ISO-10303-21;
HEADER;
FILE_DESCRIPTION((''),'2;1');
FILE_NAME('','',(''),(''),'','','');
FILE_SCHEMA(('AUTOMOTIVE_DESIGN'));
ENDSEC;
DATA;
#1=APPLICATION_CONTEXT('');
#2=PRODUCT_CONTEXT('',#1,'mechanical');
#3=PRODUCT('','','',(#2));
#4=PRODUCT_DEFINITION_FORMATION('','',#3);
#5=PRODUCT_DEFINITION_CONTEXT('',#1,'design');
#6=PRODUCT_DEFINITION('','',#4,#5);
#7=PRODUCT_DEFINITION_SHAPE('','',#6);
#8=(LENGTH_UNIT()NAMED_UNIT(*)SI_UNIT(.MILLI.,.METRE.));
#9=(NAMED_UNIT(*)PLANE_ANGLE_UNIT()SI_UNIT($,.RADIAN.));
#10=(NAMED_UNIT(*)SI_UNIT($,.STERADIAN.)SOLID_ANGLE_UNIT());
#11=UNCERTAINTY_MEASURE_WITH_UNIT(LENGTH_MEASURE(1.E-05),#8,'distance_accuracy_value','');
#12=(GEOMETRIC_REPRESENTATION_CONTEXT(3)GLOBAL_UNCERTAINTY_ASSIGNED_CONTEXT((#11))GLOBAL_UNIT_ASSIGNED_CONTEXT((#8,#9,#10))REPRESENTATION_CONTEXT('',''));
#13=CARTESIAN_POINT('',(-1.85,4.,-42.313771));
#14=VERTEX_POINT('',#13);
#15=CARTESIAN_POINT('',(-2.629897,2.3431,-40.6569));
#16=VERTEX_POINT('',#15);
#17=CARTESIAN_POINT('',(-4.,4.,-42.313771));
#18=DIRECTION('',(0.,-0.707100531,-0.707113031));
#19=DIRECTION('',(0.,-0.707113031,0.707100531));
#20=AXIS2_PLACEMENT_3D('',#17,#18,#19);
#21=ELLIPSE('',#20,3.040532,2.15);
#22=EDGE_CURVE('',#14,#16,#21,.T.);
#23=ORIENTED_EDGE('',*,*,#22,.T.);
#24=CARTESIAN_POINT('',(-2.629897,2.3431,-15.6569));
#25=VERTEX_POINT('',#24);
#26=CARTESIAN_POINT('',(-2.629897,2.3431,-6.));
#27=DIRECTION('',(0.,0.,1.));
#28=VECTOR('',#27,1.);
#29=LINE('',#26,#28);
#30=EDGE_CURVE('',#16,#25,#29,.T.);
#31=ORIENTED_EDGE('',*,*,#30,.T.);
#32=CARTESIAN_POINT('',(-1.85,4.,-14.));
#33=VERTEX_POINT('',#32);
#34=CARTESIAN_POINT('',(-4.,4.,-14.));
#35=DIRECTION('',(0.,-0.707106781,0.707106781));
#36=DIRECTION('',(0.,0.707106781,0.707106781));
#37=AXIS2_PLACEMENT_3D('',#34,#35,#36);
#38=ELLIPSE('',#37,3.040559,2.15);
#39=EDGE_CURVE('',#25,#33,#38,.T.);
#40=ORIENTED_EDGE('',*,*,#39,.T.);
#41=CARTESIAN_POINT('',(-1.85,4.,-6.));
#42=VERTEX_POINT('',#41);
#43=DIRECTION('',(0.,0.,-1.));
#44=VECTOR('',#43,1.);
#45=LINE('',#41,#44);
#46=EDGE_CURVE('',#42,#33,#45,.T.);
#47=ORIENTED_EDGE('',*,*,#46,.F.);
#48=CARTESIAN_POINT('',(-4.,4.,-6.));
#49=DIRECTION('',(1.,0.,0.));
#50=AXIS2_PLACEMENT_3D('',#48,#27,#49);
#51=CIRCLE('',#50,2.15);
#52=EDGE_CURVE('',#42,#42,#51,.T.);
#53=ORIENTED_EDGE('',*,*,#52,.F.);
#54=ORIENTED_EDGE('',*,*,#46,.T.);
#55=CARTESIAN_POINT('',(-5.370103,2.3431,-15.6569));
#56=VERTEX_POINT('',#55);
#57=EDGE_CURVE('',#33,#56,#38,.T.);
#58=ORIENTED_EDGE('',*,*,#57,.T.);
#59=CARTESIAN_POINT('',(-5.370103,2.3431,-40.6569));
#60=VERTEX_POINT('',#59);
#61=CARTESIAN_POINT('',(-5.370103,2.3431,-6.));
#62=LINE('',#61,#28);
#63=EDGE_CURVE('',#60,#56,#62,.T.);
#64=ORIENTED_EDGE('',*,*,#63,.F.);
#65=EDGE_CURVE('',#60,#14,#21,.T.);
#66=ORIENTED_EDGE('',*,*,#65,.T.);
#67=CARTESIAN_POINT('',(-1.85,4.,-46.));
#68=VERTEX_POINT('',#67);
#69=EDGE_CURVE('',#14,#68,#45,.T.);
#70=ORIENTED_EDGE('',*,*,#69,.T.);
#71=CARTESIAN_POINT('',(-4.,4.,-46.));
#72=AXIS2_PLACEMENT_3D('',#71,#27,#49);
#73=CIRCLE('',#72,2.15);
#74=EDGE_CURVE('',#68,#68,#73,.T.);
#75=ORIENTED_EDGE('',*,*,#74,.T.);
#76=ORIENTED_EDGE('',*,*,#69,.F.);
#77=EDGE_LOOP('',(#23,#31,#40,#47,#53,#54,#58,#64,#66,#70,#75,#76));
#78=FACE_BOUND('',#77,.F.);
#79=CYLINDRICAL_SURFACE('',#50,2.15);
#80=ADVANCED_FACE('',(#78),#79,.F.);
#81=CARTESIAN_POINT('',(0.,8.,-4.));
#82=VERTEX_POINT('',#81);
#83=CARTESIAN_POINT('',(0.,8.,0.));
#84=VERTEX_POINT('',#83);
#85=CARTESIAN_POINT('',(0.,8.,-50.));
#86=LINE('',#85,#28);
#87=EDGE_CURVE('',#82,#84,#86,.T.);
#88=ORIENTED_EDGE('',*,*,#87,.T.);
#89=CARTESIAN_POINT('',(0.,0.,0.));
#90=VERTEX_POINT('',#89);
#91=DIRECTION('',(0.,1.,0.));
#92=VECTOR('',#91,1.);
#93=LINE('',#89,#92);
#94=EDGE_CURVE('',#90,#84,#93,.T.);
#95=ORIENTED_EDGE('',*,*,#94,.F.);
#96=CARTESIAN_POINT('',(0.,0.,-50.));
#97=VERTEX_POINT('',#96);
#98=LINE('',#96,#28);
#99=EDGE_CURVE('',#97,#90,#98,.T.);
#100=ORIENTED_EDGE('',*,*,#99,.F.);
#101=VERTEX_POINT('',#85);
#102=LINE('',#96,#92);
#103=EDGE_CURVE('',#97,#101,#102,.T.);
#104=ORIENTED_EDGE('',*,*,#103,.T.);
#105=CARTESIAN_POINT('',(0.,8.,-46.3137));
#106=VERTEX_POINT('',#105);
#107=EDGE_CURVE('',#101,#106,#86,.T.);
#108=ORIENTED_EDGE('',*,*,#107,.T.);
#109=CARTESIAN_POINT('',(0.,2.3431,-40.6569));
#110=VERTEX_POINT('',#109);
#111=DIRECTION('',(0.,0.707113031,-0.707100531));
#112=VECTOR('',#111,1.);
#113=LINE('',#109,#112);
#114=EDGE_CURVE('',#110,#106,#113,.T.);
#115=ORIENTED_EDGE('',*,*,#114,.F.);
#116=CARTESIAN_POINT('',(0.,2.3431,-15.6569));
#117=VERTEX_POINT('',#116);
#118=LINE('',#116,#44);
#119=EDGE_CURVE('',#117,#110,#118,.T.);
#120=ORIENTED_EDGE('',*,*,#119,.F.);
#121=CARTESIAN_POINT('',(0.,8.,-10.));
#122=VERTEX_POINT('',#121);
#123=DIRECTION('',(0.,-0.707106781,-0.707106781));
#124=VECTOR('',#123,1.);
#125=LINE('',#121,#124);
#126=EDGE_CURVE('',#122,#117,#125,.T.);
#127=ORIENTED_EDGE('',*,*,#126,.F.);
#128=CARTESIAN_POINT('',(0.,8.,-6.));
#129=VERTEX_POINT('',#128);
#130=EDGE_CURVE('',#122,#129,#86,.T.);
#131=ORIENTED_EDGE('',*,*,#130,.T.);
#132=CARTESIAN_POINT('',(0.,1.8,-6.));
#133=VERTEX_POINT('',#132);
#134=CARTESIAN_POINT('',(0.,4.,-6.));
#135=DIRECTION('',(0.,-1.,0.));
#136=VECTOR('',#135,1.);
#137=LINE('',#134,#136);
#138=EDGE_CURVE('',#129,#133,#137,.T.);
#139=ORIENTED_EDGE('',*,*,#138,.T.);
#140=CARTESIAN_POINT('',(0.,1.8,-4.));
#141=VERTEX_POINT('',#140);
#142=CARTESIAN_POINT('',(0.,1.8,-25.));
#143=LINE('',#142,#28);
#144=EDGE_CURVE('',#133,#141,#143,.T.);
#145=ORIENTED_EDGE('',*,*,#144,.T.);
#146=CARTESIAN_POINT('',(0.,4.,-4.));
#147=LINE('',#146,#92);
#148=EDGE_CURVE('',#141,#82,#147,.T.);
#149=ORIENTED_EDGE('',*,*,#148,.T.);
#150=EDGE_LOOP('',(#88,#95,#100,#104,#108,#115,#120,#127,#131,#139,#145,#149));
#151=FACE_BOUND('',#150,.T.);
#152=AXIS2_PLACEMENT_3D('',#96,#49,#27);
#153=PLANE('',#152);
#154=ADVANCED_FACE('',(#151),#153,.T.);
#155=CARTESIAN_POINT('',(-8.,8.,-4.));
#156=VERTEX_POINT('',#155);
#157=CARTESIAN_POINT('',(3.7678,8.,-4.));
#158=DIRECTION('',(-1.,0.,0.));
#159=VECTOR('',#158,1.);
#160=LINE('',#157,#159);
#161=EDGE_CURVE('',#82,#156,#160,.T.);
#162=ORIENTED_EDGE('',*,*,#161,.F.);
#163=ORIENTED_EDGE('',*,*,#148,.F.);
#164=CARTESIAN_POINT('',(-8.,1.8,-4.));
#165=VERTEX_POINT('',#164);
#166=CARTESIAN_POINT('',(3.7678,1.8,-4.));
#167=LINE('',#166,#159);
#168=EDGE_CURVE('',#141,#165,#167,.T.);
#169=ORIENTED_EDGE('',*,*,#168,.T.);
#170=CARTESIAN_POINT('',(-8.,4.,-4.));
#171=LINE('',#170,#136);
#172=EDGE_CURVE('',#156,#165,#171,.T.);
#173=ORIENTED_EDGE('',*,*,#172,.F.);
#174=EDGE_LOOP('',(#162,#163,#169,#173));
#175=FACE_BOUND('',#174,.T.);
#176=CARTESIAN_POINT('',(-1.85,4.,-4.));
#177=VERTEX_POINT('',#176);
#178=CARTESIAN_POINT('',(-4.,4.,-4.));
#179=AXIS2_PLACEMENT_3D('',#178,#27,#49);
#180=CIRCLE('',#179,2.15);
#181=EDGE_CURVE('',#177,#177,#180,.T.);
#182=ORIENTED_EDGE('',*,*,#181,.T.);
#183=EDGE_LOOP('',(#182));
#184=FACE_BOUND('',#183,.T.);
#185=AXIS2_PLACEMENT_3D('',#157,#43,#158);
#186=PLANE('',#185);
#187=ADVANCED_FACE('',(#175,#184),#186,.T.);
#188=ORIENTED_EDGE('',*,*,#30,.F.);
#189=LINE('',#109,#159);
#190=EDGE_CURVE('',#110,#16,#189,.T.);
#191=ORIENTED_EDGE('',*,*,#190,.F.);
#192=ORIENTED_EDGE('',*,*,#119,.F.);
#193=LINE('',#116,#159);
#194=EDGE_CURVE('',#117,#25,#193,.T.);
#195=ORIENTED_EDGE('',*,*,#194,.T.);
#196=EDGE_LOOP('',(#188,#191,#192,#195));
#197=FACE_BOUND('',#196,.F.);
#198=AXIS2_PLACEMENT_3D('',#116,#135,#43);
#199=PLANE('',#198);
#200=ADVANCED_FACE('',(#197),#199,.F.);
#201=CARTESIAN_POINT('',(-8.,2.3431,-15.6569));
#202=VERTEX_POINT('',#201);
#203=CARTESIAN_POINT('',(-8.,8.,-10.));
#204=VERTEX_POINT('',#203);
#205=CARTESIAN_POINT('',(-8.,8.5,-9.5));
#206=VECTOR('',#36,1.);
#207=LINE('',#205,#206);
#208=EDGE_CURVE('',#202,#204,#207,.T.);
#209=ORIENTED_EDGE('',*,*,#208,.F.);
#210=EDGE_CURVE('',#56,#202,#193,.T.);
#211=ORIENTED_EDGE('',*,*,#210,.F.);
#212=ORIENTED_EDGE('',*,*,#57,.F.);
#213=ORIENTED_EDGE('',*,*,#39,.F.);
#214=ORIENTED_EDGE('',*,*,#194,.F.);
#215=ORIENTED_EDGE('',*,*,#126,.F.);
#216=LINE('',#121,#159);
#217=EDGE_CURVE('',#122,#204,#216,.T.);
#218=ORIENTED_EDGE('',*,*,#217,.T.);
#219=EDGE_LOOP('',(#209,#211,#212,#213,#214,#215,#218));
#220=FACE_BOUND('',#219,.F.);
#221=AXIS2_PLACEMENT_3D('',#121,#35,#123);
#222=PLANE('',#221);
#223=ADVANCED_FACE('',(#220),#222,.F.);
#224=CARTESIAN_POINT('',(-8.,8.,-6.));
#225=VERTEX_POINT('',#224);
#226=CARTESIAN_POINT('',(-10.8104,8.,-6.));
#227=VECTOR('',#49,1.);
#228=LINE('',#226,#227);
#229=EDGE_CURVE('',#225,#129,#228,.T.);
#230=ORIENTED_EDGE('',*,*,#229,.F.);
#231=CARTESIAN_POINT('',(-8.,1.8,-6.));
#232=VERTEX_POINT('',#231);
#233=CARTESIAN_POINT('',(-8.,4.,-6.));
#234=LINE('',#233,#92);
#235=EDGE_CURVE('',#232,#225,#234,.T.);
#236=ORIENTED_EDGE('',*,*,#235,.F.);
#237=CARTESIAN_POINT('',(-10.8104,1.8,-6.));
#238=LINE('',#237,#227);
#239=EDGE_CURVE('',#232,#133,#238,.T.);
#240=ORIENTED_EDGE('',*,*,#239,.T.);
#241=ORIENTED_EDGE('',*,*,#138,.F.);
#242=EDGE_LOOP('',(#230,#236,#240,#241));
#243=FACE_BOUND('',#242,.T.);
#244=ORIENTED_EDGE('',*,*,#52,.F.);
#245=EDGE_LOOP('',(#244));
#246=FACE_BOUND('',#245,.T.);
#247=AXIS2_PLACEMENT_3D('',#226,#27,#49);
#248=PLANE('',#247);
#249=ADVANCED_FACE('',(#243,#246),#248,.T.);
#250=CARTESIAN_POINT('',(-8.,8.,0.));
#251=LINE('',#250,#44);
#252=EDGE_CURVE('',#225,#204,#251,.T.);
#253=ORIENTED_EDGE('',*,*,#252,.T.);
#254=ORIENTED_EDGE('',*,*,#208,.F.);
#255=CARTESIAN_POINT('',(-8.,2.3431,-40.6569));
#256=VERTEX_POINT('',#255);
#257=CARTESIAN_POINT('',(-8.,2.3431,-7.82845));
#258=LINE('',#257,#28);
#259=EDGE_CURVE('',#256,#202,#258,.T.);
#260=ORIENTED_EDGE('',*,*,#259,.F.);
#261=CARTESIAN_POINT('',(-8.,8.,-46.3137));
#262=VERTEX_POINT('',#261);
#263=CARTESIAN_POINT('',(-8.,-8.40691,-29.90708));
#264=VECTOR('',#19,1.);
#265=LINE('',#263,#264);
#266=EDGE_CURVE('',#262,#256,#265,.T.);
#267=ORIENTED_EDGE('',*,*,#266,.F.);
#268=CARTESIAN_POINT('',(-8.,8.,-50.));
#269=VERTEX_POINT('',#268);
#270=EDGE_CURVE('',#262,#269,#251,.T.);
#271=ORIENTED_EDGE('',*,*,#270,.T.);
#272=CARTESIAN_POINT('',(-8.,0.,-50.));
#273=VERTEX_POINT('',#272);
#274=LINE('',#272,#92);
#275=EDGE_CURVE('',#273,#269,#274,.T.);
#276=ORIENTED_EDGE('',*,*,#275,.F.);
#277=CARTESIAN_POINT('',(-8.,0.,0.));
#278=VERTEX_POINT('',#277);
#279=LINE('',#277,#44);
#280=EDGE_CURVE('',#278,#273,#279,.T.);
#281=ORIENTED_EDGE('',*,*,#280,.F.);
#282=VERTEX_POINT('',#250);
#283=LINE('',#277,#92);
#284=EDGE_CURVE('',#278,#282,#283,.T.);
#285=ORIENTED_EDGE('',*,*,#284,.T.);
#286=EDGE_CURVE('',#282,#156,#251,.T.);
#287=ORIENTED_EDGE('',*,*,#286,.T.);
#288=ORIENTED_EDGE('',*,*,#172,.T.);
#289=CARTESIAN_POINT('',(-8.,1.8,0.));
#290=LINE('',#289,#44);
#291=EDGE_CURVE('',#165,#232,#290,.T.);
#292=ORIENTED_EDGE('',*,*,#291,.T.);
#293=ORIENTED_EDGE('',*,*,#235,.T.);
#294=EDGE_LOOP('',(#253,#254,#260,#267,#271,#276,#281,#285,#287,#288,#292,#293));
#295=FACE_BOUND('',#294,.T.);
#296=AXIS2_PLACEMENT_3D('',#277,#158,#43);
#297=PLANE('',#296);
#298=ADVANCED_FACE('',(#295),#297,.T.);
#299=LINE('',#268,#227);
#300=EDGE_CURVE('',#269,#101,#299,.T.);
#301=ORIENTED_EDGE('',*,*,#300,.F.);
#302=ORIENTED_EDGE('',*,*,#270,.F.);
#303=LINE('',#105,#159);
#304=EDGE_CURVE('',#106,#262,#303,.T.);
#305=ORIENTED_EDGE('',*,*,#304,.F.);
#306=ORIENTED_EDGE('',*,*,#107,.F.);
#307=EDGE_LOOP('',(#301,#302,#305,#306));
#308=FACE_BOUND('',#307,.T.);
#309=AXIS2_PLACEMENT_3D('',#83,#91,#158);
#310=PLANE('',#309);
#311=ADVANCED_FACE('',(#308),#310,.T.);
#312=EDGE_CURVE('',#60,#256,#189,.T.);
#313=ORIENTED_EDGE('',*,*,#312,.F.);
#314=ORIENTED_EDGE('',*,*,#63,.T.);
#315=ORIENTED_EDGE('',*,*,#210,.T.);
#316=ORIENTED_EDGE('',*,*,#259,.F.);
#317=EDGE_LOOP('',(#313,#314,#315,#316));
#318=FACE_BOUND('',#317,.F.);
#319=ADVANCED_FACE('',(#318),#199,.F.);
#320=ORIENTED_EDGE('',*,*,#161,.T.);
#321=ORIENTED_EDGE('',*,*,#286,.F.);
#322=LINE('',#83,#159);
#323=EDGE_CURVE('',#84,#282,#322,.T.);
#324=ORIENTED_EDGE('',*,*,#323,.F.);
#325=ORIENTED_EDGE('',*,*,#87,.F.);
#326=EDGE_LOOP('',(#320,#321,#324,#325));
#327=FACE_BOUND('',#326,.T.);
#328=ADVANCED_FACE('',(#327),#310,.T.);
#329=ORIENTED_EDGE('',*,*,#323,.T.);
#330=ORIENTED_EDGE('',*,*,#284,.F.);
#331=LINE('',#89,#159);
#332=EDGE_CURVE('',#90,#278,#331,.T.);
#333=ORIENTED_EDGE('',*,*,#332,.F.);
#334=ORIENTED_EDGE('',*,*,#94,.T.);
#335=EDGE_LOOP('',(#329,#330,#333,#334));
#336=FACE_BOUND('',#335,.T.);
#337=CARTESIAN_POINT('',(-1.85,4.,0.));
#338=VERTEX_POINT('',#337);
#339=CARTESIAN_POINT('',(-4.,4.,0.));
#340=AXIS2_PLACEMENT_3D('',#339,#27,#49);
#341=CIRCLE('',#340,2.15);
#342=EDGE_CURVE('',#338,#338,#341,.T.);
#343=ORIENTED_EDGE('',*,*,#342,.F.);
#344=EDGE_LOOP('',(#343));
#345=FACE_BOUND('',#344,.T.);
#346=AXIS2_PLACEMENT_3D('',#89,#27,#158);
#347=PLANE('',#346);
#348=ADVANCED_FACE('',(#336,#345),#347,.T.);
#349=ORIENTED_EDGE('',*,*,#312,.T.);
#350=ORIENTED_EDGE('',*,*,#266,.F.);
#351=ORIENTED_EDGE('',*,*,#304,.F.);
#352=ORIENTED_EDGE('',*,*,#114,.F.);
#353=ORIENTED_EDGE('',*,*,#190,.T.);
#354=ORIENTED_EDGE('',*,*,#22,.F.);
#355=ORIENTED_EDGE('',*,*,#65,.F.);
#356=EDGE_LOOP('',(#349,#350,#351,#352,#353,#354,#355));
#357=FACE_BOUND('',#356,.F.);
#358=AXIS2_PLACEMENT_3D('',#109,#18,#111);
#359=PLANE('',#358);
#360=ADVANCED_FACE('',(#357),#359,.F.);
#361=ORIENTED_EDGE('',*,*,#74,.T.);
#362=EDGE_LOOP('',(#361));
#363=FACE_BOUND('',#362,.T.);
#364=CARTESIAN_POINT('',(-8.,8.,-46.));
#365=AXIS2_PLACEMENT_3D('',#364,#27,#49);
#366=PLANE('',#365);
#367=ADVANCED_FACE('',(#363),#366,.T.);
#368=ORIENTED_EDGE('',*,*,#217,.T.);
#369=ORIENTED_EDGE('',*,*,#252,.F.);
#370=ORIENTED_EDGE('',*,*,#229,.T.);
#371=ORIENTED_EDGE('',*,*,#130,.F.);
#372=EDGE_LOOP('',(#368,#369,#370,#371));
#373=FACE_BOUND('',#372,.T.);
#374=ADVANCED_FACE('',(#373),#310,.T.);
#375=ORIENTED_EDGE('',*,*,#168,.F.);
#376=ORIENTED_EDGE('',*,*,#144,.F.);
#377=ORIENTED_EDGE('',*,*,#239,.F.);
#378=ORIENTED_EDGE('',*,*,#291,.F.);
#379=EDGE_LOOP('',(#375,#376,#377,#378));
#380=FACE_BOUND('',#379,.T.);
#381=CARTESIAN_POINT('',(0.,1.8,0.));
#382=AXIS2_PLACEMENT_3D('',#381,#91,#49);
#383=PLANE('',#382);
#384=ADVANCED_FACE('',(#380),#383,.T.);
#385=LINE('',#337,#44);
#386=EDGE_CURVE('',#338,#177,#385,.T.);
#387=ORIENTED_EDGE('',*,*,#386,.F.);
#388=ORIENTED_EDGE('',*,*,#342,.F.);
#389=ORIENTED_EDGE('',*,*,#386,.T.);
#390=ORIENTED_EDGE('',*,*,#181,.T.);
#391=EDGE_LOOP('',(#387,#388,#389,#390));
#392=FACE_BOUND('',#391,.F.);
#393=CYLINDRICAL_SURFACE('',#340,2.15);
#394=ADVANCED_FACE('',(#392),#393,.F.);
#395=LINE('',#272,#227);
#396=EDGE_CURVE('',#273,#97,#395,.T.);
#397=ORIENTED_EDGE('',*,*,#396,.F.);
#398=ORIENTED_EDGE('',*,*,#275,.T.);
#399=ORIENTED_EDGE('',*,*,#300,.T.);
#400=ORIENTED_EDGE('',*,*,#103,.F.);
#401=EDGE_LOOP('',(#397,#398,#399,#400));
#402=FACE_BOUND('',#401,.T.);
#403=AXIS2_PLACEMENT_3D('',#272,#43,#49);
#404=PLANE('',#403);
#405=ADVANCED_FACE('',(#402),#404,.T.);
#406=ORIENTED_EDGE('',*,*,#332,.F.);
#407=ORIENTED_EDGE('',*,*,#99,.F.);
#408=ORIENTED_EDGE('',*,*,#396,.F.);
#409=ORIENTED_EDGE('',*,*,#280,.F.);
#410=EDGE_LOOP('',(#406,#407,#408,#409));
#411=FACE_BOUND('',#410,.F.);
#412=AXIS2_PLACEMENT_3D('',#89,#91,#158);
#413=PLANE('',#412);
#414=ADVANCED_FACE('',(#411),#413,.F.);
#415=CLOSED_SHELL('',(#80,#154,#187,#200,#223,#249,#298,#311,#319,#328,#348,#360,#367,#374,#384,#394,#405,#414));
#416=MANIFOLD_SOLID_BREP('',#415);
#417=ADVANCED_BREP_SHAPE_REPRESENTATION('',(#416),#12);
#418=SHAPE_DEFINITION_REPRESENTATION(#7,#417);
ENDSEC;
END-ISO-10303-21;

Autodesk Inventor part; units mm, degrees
ref_plane "YZ Plane" through (0, 0, 0) normal (1, 0, 0) x (0, 1, 0)
ref_plane "XZ Plane" through (0, 0, 0) normal (0, 1, 0) x (-1, 0, 0)
ref_plane "XY Plane" through (0, 0, 0) normal (0, 0, 1) x (1, 0, 0)
sketch "Sketch1" plane through (0, 0, 0) normal (0, 1, 0) x (-1, 0, 0)
  line L0 (0, 0) -> (8, 0)
  line L1 (8, 0) -> (8, -50)
  line L2 (8, -50) -> (0, -50)
  line L3 (0, -50) -> (0, 0)
  dimension "d0" = 8
  dimension "d1" = 50
extrude "Extrusion1" add sketch "Sketch1" along normal blind 8
sketch "Sketch2" plane through (-8, 0, 0) normal (0, 0, 1) x (1, 0, 0)
  circle A0 centre (4, 4) radius 2.15
  point P0 (8, 0)
  dimension "d4" = 4.3
extrude "Extrusion2" cut sketch "Sketch2" against normal blind 4
sketch "Sketch3" plane through (0, 8, 0) normal (0, 1, 0) x (1, 0, 0)
  line L0 (-10.8104, 6) -> (3.7678, 6)
  line L1 (3.7678, 6) -> (3.7678, 4)
  line L2 (3.7678, 4) -> (-10.8104, 4)
  line L3 (-10.8104, 4) -> (-10.8104, 6)
  line L4 (-8, 0) -> (0, 0) projected
  dimension "d8" = 2
  dimension "d9" = 4
extrude "Extrusion3" cut sketch "Sketch3" against normal blind 6.2
sketch "Sketch4" plane through (-8, 8, -6) normal (0, 0, 1) x (1, 0, 0)
  circle A0 centre (4, -4) radius 2.15 projected
  circle A1 centre (4, -4) radius 2.15
  point P0 (8, -8)
extrude "Extrusion4" cut sketch "Sketch4" against normal blind 40
sketch "Sketch5" plane through (0, 0, 0) normal (1, 0, 0) x (0, 0, -1)
  line L0 (6, 8) -> (50, 8) projected
  line L1 (6, 8) -> (10, 8)
  line L2 (10, 8) -> (15.6569, 2.3431)
  line L3 (15.6569, 2.3431) -> (40.6569, 2.3431)
  line L4 (6, 1.85) -> (46, 1.85) projected
  line L5 (40.6569, 2.3431) -> (46.3137, 8)
  line L6 (46.3137, 8) -> (10, 8)
  point P0 (0, 0)
  dimension "d14" = 4
  dimension "d15" = 8
  dimension "d16" = 135
  dimension "d17" = 25
  dimension "d18" = 135
extrude "Extrusion5" cut sketch "Sketch5" against normal blind 40
properties part number "ptfe_cutter_v6_40mm"
